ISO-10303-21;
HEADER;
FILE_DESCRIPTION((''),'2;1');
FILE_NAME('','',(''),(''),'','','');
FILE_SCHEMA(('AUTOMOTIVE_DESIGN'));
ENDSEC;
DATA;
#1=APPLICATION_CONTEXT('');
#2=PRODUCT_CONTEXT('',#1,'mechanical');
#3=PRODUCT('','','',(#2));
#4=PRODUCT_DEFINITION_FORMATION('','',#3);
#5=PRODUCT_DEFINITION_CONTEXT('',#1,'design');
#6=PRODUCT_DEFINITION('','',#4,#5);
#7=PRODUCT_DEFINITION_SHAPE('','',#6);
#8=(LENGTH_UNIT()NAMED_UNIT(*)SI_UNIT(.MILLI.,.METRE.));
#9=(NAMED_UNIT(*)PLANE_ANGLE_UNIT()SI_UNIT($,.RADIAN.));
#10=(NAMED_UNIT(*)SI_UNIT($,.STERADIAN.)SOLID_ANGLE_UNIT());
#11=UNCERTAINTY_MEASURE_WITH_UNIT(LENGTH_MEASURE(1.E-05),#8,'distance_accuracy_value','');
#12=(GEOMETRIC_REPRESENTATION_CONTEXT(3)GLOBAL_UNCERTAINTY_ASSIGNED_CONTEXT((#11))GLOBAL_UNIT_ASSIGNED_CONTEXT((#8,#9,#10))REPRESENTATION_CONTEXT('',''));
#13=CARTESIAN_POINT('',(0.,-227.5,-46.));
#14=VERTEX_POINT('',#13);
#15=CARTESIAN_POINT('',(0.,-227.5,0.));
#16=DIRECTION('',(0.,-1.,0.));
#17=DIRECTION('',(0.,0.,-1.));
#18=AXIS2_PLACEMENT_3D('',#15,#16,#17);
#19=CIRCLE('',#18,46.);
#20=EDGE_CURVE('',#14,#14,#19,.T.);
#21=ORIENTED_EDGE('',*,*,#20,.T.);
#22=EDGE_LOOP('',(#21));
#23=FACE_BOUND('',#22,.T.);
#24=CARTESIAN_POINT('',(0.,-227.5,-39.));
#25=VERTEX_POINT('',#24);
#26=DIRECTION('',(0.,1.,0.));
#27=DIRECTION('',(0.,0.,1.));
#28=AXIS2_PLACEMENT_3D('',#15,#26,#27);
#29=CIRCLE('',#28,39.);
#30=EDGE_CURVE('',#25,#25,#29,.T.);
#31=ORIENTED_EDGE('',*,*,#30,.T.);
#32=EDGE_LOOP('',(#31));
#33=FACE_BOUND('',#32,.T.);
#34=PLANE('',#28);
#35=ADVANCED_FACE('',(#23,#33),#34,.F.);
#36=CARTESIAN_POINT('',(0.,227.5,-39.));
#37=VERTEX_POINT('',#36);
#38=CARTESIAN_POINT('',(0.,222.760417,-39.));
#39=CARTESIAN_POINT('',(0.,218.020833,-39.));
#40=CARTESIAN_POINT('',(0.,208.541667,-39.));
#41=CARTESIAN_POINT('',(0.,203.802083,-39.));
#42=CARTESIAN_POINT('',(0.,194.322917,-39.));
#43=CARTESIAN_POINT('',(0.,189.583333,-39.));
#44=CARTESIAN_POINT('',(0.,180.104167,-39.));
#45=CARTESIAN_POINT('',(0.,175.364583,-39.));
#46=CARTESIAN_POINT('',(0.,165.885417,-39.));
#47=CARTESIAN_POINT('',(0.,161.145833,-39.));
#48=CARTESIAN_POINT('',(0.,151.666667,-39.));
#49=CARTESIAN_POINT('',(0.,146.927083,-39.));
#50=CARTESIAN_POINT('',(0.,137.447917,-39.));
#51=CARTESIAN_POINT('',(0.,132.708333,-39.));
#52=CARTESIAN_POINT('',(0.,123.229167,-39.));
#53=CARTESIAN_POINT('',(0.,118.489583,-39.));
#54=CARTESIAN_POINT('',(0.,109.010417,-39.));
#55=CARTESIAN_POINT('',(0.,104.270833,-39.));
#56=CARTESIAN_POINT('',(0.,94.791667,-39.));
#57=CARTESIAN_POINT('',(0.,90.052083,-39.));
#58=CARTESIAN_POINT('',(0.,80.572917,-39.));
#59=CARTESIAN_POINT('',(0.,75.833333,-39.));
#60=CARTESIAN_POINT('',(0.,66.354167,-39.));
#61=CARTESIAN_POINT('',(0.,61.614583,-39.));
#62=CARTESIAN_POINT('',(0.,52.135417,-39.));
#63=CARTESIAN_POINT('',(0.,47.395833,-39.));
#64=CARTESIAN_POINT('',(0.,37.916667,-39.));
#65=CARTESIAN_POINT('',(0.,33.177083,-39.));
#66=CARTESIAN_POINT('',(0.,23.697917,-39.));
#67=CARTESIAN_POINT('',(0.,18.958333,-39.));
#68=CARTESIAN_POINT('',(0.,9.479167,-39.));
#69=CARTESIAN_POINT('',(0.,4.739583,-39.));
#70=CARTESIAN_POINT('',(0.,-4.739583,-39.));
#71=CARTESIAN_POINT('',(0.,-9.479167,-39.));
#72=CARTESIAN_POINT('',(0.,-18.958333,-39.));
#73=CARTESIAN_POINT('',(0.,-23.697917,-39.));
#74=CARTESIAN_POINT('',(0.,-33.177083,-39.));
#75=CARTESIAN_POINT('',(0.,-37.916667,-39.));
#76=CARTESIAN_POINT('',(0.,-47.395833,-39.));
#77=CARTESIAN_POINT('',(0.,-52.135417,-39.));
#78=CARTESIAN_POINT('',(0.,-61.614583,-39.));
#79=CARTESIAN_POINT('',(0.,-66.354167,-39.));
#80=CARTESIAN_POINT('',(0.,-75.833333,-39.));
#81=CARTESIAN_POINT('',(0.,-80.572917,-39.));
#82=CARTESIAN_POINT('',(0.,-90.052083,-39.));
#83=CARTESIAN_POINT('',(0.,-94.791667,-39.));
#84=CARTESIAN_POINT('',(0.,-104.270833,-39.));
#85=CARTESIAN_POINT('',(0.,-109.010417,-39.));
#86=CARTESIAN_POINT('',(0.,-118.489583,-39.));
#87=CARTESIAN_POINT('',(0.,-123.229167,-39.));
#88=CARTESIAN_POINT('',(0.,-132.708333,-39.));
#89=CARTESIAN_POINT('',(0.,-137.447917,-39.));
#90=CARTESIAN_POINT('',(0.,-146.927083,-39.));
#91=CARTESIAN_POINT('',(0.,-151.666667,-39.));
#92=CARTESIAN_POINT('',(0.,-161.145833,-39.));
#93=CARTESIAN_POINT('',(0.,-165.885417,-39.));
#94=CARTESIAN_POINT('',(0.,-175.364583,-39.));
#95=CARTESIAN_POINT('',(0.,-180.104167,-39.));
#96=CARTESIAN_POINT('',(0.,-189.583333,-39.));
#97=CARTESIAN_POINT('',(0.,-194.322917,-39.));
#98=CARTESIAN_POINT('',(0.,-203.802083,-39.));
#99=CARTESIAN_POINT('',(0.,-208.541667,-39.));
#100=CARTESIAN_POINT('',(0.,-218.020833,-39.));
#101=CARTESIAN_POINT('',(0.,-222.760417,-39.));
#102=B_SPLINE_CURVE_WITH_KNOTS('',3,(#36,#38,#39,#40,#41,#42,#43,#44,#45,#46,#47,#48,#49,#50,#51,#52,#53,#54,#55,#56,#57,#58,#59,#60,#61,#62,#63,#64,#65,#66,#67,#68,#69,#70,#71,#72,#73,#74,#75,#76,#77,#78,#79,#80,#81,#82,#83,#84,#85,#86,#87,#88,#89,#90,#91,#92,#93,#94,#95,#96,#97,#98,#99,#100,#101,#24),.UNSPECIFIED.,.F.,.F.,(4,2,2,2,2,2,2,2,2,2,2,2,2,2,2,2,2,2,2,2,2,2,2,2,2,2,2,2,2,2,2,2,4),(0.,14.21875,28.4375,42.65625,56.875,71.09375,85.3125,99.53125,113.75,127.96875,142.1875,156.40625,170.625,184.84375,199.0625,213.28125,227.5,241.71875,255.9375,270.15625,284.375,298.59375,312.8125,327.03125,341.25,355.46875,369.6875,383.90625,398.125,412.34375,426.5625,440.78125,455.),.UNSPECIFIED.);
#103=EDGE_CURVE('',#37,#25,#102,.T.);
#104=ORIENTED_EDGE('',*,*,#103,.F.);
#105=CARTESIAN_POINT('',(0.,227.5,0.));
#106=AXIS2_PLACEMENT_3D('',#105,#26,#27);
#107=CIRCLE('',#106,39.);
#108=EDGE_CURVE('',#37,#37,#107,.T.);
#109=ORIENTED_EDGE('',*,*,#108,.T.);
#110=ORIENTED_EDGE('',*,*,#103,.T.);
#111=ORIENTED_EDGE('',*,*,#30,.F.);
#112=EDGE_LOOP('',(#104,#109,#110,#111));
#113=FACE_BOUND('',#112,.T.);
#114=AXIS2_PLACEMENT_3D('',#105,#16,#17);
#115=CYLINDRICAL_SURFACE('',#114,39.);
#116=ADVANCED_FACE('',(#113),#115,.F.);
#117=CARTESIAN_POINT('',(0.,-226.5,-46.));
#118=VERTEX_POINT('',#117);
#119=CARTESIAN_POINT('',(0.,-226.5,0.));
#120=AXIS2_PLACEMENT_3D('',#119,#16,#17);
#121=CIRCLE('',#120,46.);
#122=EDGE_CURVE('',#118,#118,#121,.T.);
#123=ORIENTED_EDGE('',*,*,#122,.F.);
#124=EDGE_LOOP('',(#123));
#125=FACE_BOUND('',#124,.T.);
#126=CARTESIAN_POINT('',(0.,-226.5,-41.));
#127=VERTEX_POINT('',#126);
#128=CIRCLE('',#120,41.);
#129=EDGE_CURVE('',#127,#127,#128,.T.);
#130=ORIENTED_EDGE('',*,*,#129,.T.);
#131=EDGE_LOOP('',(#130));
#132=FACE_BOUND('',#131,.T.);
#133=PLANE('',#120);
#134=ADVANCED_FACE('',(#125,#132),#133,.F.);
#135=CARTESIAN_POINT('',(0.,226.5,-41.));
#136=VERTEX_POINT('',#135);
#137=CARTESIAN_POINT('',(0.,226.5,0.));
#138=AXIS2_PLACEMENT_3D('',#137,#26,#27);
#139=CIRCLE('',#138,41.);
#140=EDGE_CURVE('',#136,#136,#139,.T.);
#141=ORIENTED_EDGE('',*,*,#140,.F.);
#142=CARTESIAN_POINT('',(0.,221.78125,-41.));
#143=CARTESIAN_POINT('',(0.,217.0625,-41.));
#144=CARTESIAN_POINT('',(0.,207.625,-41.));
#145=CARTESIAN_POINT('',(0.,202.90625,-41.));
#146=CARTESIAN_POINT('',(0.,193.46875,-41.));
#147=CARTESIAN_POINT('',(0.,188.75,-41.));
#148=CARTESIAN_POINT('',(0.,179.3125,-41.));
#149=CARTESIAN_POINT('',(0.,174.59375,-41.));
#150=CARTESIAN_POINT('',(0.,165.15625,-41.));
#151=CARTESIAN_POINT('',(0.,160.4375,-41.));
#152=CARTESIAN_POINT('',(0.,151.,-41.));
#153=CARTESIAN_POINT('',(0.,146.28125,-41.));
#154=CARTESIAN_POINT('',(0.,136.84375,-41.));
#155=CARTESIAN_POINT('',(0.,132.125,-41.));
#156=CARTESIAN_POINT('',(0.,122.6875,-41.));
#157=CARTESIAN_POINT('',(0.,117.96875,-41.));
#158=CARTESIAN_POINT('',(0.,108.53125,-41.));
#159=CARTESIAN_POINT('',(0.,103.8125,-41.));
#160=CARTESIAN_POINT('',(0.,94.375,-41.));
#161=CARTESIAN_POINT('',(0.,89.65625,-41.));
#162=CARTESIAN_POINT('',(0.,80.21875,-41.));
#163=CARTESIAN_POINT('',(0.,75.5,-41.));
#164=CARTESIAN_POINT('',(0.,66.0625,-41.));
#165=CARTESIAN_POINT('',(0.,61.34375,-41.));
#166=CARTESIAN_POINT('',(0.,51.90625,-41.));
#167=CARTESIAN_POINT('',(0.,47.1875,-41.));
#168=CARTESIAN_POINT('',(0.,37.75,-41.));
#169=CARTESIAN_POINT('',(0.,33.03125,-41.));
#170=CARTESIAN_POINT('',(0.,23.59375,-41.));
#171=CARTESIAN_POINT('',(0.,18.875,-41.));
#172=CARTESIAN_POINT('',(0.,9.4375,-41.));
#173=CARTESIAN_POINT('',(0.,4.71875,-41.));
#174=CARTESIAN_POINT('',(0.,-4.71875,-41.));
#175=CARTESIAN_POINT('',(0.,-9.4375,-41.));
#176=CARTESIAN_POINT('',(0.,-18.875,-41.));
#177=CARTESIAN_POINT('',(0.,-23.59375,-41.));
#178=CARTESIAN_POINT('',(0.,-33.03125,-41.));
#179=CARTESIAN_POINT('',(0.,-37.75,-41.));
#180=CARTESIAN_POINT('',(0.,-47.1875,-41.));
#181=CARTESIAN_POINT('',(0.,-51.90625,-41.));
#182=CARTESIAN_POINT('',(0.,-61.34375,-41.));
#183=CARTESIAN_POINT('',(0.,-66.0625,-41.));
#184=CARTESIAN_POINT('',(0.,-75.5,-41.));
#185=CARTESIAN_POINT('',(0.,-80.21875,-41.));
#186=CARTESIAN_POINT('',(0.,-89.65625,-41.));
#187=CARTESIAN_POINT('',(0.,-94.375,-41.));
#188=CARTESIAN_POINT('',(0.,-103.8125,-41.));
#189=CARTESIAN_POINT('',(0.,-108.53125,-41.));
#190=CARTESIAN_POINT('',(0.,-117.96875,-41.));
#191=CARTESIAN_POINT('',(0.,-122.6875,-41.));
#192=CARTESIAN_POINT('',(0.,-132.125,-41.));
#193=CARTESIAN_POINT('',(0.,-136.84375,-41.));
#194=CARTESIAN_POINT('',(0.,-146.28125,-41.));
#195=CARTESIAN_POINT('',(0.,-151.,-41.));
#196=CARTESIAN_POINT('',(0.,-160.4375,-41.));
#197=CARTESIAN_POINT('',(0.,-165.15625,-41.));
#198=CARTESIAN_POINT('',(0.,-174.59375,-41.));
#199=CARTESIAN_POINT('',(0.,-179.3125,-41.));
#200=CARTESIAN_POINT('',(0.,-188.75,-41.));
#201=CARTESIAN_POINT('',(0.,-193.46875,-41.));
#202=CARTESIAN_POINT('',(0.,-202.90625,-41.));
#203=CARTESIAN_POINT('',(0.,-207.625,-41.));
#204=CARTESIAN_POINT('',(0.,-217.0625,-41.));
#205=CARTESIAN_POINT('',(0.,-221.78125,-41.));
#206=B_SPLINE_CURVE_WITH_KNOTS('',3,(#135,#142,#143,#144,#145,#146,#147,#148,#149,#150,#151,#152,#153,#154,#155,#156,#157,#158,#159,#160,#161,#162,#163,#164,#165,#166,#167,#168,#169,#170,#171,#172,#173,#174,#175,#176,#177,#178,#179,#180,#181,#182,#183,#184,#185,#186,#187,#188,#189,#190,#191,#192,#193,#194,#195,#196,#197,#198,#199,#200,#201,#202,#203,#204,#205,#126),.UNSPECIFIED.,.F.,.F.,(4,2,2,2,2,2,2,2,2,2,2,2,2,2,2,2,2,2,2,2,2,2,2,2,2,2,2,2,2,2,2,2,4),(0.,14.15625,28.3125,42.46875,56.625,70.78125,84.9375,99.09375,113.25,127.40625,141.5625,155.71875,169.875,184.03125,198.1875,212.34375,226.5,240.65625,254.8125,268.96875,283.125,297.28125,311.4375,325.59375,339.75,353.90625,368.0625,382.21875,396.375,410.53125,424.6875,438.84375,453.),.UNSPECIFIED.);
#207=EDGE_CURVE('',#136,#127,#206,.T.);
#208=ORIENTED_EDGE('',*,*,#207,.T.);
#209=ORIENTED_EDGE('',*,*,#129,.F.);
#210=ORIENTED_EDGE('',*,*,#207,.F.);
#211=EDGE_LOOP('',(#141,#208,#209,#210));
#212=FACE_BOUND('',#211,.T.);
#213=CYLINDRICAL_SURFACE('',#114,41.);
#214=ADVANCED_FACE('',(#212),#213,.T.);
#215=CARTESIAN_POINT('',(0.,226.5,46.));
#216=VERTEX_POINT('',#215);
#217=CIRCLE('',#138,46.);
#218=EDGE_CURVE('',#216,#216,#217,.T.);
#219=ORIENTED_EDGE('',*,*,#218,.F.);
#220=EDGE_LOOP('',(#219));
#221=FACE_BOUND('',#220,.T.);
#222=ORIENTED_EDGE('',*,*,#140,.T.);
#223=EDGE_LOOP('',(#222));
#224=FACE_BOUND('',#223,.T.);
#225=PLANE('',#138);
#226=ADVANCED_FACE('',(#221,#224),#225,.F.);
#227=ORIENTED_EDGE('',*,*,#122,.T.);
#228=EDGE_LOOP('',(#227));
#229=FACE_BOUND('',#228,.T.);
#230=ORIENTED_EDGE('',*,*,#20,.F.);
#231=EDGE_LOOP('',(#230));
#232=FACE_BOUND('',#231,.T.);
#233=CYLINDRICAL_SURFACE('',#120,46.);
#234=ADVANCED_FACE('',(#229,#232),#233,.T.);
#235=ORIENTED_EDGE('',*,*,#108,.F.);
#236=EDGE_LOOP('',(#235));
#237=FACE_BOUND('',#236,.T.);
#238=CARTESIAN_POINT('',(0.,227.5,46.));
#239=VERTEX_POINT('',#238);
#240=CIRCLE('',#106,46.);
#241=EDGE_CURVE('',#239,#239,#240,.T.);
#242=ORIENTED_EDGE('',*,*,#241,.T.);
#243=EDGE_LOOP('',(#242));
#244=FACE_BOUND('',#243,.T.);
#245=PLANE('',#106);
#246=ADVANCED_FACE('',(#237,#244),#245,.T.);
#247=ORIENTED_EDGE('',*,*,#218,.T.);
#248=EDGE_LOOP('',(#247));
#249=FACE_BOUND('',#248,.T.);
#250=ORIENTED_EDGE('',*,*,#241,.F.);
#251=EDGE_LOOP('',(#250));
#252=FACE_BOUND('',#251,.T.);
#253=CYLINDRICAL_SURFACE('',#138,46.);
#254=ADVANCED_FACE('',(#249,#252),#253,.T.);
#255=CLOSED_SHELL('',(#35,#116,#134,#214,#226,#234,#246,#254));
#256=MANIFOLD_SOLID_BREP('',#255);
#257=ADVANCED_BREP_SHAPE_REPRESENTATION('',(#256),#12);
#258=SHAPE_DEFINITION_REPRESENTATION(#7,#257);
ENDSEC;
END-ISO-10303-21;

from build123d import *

# Parameters (mm, degrees)
SCHIZZO1_R                   = 41
SCHIZZO1_R_2                 = 39
ESTRUSIONE_SOTTILE1_DEPTH    = 227.5
SCHIZZO2_R                   = 46
SCHIZZO2_R_2                 = 41
ESTRUSIONE_ESTRUSIONE1_DEPTH = 1
ESTRUSIONE_ESTRUSIONE2_START = -1
SCHIZZO3_R                   = 46
SCHIZZO3_R_2                 = 41
ESTRUSIONE_ESTRUSIONE2_DEPTH = 1


with BuildPart() as part:
    # Schizzo1 → Estrusione-Sottile1 (new, symmetric)
    with BuildSketch(Plane(origin=(0, 0, 0), x_dir=(1, 0, 0), z_dir=(0, 1, 0))):
        Circle(SCHIZZO1_R)
        Circle(SCHIZZO1_R_2, mode=Mode.SUBTRACT)
    extrude(amount=ESTRUSIONE_SOTTILE1_DEPTH, both=True)

    # Schizzo2 → Estrusione-Estrusione1 (add)
    with BuildSketch(Plane(origin=(0, 227.5, 0), x_dir=(1, 0, 0), z_dir=(0, 1, 0))):
        with Locations(Location((0, 0, 0), (0, 0, 270))):
            Circle(SCHIZZO2_R)
        with Locations(Location((0, 0, 0), (0, 0, 90))):
            Circle(SCHIZZO2_R_2, mode=Mode.SUBTRACT)
    extrude(amount=-ESTRUSIONE_ESTRUSIONE1_DEPTH)

    # Schizzo3 → Estrusione-Estrusione2 (add)
    with BuildSketch(Plane.XZ.offset(227.5).offset(ESTRUSIONE_ESTRUSIONE2_START)):
        with Locations(Location((0, 0, 0), (0, 0, 90))):
            Circle(SCHIZZO3_R)
        with Locations(Location((0, 0, 0), (0, 0, 270))):
            Circle(SCHIZZO3_R_2, mode=Mode.SUBTRACT)
    extrude(amount=ESTRUSIONE_ESTRUSIONE2_DEPTH)


solid = part.part
